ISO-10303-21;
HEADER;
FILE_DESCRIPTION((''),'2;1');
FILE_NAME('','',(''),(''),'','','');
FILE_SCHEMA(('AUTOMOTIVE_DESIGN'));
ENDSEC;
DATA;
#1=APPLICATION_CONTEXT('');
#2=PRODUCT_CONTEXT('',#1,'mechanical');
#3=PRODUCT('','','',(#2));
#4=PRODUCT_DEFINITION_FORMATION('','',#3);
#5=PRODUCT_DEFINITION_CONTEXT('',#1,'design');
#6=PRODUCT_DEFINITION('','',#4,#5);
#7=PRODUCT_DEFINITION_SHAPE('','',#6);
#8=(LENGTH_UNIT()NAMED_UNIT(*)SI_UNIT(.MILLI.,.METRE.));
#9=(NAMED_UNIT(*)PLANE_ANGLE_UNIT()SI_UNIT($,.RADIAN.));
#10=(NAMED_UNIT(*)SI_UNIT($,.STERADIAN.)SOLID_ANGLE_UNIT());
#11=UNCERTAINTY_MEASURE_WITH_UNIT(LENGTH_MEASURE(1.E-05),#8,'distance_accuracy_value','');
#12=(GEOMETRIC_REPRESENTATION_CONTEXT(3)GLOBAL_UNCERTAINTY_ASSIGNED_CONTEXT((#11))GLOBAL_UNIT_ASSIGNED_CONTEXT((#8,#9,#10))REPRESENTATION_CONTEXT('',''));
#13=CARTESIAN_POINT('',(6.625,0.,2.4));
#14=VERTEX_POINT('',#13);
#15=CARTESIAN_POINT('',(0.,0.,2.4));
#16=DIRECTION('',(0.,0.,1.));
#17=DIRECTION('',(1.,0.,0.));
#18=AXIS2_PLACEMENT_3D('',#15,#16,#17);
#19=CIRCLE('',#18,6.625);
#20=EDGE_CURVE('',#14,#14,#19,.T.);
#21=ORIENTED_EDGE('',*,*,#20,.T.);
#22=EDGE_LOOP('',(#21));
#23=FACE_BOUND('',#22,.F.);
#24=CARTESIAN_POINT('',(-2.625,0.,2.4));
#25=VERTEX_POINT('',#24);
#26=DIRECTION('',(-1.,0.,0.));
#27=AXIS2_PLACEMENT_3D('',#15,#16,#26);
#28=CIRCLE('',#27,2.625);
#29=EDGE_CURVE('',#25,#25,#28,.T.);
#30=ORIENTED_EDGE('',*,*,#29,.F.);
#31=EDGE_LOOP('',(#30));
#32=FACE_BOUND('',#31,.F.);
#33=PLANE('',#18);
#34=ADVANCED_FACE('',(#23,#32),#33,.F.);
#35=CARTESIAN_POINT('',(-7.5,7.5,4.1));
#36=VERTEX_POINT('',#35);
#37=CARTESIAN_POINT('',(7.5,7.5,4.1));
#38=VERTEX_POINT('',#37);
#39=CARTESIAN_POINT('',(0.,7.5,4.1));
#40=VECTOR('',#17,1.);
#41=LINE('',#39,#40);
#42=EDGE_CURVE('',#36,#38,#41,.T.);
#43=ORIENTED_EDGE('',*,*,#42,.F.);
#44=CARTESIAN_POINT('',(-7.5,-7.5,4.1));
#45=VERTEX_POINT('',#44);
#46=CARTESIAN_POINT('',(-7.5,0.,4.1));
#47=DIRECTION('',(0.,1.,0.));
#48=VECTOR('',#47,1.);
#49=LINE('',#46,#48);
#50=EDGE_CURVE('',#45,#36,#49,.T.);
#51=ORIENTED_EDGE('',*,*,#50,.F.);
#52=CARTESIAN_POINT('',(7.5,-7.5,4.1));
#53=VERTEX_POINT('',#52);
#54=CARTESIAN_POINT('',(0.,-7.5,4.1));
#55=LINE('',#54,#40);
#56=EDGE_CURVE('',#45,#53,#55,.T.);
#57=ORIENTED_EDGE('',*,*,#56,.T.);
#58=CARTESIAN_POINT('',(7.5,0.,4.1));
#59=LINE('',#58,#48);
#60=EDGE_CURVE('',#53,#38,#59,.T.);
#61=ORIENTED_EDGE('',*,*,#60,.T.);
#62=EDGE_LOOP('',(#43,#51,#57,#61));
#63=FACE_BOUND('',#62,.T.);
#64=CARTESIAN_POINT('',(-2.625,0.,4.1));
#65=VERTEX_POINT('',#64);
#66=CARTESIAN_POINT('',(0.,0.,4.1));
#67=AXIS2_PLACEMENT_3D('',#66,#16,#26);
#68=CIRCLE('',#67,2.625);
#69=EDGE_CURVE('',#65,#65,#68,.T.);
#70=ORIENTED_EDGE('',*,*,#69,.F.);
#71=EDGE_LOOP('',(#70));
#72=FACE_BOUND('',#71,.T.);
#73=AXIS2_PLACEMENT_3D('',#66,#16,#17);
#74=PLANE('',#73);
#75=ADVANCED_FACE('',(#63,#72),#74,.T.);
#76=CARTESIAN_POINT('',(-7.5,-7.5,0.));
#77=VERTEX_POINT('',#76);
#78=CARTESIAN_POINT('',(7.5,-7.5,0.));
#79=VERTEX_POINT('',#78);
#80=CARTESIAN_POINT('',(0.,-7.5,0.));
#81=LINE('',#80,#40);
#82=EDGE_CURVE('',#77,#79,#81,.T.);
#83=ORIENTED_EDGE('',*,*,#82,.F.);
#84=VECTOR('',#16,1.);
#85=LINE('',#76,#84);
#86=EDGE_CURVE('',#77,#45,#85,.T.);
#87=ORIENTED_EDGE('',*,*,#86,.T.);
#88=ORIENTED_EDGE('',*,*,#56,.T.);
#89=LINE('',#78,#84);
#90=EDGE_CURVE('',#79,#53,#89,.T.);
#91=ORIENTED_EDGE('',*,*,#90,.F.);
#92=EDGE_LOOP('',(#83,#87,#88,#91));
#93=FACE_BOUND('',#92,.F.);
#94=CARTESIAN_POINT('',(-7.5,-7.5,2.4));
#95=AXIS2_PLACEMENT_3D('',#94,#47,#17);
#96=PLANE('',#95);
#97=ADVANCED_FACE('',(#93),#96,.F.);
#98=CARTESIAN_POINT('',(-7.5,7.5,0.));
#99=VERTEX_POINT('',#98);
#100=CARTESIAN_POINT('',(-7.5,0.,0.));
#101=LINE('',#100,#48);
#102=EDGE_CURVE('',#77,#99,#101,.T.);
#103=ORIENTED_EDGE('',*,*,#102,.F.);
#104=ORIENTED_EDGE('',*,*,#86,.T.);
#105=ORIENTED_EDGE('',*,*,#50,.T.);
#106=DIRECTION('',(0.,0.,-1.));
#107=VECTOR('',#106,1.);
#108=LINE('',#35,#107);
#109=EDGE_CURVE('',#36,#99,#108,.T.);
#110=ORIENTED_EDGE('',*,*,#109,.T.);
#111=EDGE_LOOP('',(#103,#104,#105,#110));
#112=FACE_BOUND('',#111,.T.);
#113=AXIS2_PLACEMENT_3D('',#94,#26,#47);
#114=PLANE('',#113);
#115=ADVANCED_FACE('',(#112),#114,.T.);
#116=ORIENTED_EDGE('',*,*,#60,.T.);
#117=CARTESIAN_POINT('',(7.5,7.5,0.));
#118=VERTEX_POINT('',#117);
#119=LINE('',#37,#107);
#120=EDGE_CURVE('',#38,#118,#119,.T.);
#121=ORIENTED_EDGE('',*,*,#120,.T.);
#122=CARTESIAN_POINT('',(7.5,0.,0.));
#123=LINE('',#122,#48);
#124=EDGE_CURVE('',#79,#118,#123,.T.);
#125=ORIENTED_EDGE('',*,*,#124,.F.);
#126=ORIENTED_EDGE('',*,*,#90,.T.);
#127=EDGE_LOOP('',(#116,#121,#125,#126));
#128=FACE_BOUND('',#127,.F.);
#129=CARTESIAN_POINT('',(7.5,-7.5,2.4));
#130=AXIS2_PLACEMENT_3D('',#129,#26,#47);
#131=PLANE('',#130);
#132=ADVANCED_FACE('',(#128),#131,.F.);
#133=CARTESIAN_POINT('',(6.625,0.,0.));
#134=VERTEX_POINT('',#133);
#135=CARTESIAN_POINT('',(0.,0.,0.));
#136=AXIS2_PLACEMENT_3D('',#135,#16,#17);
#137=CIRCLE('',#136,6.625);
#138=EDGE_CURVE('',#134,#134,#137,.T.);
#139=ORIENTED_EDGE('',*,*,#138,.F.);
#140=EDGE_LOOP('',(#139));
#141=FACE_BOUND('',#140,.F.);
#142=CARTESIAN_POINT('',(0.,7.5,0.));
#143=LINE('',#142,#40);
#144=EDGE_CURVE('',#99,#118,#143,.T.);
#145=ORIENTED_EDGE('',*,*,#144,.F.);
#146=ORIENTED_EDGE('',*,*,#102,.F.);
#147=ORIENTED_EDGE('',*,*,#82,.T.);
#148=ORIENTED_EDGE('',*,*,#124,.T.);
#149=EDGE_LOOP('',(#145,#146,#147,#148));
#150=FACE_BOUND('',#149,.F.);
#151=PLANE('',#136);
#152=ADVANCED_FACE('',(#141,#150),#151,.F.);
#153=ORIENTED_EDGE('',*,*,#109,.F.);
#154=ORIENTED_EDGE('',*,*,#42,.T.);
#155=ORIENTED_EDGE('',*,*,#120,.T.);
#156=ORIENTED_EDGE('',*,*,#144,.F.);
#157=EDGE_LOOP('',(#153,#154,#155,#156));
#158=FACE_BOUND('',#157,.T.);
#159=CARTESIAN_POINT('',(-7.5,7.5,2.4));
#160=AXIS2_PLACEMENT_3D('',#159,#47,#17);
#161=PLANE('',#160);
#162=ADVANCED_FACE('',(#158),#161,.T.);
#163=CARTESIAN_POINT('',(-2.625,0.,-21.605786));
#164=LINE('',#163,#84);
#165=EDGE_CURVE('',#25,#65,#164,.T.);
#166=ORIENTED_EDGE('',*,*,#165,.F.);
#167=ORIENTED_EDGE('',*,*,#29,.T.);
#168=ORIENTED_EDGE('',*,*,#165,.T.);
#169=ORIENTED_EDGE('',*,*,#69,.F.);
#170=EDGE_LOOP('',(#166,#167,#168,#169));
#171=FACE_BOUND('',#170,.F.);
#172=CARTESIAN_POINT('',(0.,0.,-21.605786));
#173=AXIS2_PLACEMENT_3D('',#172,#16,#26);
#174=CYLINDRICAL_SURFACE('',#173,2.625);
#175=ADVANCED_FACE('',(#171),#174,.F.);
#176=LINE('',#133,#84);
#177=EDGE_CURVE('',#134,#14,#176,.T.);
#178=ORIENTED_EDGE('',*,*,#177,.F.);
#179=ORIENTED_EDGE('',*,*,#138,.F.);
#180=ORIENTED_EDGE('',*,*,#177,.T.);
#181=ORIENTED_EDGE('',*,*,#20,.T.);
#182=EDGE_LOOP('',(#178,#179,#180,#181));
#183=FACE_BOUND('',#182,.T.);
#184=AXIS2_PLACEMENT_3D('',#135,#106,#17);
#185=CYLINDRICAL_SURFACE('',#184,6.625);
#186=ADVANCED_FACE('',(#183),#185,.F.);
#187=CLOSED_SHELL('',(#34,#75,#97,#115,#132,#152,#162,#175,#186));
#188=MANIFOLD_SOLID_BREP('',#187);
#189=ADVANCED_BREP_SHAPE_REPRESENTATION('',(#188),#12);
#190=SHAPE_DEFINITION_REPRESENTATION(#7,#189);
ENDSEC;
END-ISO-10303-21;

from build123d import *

# Parameters (mm, degrees)
F0_W     = 15
F0_H     = 15
F0_R     = 6.625
F1_DEPTH = 2.4
F2_W     = 15
F2_H     = 15
F3_DEPTH = 1.7
F4_D     = 5.25


with BuildPart() as f1:
    # F0 (on Top) → F1 (new body)
    with BuildSketch(Plane.XY):
        Rectangle(F0_W, F0_H)
        Circle(F0_R, mode=Mode.SUBTRACT)
    extrude(amount=F1_DEPTH)

    # F2 (on face) → F3 (join)
    with BuildSketch(Plane.XY.offset(2.4)):
        Rectangle(F2_W, F2_H)
    extrude(amount=F3_DEPTH)

    # F4 (through all)
    with Locations(Plane(origin=(0, 0, 0), x_dir=(1, 0, 0), z_dir=(0, 0, -1))):
        with Locations((0, 0)):
            Hole(F4_D / 2)


solid = f1.part
